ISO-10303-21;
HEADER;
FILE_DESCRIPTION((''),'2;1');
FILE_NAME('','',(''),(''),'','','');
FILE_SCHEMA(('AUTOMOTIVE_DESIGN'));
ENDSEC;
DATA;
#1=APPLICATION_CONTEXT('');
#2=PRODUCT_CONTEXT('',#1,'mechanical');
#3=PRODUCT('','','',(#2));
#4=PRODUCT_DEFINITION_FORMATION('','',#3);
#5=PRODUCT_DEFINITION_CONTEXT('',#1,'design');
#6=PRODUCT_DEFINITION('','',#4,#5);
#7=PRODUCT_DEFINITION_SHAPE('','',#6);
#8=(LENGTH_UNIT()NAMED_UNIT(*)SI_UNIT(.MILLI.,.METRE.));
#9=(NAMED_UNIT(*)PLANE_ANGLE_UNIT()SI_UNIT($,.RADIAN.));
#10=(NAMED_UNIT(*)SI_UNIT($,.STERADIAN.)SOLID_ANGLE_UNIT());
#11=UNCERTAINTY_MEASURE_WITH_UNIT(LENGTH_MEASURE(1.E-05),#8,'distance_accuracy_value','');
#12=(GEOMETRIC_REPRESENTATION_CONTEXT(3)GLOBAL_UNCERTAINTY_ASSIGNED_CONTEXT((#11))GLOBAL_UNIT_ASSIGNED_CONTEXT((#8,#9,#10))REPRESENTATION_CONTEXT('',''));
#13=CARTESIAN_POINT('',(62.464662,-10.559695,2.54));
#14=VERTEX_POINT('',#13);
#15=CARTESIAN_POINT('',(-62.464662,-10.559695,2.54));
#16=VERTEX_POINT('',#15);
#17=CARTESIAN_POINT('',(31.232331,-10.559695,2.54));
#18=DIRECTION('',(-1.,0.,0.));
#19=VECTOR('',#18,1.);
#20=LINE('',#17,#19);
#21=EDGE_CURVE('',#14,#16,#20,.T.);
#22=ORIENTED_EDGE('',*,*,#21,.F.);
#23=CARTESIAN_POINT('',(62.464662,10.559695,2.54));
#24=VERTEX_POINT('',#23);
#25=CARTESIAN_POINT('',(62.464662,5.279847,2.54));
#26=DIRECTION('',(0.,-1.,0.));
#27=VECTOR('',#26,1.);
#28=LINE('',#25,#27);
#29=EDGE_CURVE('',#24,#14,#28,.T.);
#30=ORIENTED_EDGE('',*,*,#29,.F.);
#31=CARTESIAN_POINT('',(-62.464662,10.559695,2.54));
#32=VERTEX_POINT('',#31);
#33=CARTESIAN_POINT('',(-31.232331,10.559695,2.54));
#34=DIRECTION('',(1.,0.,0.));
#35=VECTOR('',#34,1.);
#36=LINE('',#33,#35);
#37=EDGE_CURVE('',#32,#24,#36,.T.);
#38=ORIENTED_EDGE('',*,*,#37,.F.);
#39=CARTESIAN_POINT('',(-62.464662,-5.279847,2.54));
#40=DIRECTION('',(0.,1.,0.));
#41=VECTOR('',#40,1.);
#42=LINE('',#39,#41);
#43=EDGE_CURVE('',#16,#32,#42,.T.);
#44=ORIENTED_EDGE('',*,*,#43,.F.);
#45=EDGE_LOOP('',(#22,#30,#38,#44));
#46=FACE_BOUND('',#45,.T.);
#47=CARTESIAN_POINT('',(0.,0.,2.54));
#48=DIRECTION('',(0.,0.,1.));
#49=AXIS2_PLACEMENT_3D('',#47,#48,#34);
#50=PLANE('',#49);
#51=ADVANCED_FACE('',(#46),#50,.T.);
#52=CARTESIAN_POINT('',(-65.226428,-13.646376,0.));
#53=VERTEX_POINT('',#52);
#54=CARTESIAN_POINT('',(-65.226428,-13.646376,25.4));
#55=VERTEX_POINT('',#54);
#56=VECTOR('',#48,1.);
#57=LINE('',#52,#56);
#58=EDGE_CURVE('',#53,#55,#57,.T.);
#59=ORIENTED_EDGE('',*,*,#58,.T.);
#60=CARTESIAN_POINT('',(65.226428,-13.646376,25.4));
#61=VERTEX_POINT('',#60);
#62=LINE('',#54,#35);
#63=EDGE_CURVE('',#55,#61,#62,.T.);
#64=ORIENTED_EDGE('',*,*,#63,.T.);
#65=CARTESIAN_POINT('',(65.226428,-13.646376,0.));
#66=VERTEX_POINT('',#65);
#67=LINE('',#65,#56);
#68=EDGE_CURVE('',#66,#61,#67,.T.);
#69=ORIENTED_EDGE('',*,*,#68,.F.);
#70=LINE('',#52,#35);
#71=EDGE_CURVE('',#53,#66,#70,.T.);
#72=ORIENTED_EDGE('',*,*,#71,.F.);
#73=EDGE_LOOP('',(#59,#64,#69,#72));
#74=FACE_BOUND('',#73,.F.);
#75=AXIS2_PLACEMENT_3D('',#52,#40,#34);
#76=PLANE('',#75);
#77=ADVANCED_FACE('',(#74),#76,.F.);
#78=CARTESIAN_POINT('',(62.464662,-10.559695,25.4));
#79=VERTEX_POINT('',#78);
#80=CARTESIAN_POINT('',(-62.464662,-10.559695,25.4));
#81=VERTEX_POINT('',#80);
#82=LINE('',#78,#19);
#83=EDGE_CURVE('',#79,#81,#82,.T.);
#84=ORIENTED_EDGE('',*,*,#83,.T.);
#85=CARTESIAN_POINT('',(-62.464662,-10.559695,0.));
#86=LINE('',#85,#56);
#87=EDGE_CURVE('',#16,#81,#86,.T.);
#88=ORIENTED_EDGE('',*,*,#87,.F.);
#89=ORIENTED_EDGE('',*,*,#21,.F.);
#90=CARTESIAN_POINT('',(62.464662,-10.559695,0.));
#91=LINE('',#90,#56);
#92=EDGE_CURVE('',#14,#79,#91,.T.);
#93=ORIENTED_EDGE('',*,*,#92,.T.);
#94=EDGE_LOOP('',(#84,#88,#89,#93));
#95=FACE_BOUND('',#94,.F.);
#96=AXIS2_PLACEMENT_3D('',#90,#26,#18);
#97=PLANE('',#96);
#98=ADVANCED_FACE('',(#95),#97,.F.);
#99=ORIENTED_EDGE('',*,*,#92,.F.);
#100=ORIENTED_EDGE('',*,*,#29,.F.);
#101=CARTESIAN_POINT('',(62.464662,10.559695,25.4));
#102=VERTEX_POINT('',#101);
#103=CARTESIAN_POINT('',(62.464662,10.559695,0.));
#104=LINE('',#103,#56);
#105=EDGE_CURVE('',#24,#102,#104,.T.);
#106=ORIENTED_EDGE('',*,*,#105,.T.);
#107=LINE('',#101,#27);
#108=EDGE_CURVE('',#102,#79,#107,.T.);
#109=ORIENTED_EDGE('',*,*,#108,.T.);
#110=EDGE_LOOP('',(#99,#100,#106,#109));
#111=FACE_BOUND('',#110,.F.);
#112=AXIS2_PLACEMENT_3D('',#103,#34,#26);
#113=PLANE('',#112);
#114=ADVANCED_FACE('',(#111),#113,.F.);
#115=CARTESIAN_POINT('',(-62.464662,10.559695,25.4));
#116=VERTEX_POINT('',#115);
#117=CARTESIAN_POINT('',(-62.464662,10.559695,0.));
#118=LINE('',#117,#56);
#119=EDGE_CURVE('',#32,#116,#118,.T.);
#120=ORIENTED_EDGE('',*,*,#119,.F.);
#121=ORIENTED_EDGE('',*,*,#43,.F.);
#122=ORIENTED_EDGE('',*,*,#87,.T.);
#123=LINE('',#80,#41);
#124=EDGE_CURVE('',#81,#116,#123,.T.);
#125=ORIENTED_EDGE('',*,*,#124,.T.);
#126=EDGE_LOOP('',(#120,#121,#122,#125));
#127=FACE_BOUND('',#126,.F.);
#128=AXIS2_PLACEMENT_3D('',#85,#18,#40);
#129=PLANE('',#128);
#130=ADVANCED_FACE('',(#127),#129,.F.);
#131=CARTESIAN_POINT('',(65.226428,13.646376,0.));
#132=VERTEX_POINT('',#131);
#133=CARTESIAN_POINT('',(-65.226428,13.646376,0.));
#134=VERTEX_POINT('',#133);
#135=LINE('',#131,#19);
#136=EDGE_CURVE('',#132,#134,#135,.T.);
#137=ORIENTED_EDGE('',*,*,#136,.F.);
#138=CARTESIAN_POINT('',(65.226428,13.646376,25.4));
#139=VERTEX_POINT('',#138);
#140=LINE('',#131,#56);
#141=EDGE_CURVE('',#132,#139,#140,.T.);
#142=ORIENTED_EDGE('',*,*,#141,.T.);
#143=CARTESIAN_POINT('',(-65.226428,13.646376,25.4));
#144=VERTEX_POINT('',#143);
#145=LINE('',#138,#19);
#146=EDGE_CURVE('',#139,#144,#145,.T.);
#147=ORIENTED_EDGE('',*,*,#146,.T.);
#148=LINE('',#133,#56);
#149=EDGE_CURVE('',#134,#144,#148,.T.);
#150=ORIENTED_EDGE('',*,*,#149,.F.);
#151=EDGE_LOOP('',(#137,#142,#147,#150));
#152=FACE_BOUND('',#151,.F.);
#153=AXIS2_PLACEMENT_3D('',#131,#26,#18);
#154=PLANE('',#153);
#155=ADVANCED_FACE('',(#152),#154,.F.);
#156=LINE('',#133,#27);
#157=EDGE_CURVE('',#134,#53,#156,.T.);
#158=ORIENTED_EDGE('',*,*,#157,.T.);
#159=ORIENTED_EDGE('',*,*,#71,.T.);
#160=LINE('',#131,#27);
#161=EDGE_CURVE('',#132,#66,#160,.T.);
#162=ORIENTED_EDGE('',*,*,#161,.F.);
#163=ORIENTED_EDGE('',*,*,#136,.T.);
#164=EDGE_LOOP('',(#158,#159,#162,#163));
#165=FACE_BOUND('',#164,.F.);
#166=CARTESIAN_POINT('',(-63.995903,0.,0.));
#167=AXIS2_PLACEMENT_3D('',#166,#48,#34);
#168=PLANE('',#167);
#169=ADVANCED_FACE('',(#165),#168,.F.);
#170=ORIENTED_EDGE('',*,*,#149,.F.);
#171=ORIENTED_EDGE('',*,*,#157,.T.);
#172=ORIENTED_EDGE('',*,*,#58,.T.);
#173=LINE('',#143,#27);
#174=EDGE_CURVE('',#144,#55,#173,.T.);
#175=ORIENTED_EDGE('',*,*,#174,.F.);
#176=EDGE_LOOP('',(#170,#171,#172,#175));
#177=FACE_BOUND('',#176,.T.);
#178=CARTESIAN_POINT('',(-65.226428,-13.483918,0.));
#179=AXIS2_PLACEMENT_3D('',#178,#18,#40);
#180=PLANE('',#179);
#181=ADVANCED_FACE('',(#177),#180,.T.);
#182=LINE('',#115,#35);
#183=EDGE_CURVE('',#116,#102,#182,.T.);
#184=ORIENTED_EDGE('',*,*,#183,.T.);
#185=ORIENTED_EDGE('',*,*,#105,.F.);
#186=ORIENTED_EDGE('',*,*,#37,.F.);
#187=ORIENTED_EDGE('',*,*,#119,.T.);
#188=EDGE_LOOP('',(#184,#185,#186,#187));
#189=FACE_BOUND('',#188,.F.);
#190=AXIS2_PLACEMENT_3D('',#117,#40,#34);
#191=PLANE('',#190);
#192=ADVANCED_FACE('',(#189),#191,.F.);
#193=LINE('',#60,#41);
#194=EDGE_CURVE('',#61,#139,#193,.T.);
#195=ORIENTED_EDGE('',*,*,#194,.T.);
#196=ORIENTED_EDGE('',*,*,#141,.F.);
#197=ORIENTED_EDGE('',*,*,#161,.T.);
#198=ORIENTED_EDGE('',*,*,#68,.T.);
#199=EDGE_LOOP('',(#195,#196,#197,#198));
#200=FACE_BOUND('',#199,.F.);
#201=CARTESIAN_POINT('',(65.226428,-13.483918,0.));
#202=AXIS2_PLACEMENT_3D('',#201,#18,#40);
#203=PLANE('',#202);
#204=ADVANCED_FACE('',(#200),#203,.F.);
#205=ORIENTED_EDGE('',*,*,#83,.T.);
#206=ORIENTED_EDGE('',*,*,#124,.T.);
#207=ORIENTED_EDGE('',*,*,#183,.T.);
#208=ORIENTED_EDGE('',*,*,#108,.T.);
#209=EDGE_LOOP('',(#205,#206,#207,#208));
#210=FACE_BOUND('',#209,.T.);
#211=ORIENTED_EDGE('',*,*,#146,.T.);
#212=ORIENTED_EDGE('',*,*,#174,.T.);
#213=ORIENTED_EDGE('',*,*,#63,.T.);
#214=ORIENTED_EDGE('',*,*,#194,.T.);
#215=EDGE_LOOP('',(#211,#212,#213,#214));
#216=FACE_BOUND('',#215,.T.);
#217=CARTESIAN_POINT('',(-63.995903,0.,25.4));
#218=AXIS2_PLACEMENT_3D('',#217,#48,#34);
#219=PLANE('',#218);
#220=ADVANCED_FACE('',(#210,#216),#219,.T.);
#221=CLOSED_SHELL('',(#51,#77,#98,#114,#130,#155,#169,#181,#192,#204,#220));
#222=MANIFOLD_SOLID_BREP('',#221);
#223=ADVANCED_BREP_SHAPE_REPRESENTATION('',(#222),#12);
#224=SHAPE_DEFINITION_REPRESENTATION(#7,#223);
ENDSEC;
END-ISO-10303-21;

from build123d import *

# Parameters (mm, degrees)
F1_DEPTH = 25.4
F2_W     = 130.452856
F2_H     = 26.967836
F3_DEPTH = 2.54


with BuildPart() as f1:
    # F0 (on Top) → F1 (new body)
    with BuildSketch(Plane.XY):
        Polygon((-65.226428, 13.646376), (-65.226428, -13.646376), (-62.464662, -10.559695), (-62.464662, 10.559695), align=None)
        Polygon((-62.464662, -10.559695), (-65.226428, -13.646376), (65.226428, -13.646376), (62.464662, -10.559695), align=None)
        Polygon((65.226428, 13.646376), (-65.226428, 13.646376), (-62.464662, 10.559695), (62.464662, 10.559695), align=None)
        Polygon((62.464662, -10.559695), (65.226428, -13.646376), (65.226428, 13.646376), (62.464662, 10.559695), align=None)
    extrude(amount=F1_DEPTH)

    # F2 (on Top) → F3 (join)
    with BuildSketch(Plane.XY):
        Rectangle(F2_W, F2_H)
    extrude(amount=F3_DEPTH)


solid = f1.part
